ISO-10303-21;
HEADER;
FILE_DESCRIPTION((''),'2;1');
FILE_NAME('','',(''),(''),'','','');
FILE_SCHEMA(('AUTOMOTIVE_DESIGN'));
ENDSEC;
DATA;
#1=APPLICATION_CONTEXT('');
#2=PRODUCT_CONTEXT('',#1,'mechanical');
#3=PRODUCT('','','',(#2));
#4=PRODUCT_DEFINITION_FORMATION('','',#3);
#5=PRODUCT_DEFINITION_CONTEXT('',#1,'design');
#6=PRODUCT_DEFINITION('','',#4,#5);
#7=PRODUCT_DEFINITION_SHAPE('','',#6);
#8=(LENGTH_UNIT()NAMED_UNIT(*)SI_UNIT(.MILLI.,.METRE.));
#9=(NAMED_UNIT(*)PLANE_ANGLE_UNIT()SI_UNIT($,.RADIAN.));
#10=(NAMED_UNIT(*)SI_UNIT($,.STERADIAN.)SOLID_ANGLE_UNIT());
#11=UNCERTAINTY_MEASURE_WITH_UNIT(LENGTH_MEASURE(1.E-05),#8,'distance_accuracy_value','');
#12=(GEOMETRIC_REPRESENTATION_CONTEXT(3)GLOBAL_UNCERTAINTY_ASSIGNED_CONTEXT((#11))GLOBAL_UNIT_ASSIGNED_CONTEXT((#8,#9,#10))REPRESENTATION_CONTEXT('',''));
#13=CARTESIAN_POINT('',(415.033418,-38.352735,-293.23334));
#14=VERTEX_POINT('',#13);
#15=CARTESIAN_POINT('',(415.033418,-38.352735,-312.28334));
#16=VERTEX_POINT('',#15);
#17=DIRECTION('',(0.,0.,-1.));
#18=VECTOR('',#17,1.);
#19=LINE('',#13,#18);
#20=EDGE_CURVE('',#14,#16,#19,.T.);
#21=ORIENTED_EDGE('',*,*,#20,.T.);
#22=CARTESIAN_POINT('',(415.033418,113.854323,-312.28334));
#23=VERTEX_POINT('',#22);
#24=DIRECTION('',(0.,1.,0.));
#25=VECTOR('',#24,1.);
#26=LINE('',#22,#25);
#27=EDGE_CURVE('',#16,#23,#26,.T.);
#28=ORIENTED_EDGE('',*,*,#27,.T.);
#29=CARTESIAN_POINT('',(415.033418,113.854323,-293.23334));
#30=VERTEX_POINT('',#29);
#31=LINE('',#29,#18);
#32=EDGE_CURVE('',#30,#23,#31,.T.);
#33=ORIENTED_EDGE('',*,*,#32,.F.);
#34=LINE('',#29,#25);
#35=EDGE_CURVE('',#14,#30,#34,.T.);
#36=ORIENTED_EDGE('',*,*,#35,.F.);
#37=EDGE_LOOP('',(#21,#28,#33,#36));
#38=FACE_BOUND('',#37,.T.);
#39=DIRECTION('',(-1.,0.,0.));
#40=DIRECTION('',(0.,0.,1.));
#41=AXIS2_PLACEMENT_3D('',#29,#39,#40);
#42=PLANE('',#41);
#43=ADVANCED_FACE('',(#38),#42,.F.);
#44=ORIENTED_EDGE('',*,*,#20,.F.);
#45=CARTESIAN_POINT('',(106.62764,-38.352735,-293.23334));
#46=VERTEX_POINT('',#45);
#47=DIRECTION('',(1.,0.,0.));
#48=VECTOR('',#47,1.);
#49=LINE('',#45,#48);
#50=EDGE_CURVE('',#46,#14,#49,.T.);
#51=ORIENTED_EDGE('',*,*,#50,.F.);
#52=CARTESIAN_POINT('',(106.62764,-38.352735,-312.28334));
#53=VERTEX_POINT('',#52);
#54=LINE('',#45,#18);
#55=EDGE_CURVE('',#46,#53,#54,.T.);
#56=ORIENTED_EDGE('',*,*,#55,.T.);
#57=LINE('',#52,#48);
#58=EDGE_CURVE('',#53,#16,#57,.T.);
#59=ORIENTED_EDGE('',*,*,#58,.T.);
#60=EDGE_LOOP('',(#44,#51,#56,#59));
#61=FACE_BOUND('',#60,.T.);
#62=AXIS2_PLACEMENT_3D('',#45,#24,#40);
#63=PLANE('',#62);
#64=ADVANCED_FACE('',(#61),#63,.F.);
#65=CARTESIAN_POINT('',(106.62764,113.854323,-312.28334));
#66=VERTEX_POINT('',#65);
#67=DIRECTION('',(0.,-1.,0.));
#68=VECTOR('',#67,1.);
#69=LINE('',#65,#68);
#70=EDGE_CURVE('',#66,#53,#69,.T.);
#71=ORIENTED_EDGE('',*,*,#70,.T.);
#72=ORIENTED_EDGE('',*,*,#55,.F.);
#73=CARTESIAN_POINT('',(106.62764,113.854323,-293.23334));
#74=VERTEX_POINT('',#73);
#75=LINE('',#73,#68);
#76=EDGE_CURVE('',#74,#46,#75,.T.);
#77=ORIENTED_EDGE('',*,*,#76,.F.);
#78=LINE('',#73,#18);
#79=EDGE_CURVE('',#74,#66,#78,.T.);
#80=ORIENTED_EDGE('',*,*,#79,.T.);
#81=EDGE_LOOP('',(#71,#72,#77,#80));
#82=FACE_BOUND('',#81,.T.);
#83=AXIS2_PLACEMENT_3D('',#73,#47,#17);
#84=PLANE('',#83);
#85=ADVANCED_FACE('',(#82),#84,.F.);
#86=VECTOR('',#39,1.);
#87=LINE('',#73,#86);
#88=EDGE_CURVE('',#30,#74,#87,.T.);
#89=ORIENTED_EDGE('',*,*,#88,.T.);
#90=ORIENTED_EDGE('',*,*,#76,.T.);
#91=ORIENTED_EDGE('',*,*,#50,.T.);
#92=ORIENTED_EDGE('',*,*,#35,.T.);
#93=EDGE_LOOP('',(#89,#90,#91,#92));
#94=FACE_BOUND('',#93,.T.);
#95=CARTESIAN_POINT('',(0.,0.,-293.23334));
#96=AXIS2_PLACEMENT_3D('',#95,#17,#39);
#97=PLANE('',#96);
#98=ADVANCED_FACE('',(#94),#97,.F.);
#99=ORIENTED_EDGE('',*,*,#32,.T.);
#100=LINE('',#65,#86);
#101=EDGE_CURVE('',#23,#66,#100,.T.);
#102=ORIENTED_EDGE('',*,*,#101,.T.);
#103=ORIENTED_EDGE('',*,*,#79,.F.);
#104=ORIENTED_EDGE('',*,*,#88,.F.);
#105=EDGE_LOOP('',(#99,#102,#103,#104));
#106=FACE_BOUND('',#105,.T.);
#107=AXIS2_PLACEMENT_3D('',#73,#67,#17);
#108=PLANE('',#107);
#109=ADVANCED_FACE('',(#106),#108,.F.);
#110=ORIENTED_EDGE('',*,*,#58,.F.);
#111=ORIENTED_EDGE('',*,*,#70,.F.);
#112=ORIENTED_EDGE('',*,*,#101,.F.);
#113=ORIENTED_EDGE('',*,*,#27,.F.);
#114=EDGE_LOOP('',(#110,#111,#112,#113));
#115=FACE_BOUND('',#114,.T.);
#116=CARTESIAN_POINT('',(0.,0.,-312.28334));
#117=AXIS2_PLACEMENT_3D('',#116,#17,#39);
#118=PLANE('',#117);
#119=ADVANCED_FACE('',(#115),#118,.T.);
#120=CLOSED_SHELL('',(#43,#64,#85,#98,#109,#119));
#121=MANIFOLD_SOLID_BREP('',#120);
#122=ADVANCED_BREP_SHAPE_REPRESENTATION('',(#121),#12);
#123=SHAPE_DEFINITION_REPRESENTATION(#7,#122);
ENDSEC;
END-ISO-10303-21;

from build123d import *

# Parameters (mm, degrees)
SKETCH1_W           = 308.405777754
SKETCH1_H           = 152.207057826
BOSS_EXTRUDE2_DEPTH = 19.05


with BuildPart() as part:
    # Sketch1 → Boss-Extrude2 (new body)
    with BuildSketch(Plane.XY.offset(-312.283340188)):
        with Locations((260.830529276, 37.750794274)):
            Rectangle(SKETCH1_W, SKETCH1_H)
    extrude(amount=BOSS_EXTRUDE2_DEPTH)


solid = part.part
